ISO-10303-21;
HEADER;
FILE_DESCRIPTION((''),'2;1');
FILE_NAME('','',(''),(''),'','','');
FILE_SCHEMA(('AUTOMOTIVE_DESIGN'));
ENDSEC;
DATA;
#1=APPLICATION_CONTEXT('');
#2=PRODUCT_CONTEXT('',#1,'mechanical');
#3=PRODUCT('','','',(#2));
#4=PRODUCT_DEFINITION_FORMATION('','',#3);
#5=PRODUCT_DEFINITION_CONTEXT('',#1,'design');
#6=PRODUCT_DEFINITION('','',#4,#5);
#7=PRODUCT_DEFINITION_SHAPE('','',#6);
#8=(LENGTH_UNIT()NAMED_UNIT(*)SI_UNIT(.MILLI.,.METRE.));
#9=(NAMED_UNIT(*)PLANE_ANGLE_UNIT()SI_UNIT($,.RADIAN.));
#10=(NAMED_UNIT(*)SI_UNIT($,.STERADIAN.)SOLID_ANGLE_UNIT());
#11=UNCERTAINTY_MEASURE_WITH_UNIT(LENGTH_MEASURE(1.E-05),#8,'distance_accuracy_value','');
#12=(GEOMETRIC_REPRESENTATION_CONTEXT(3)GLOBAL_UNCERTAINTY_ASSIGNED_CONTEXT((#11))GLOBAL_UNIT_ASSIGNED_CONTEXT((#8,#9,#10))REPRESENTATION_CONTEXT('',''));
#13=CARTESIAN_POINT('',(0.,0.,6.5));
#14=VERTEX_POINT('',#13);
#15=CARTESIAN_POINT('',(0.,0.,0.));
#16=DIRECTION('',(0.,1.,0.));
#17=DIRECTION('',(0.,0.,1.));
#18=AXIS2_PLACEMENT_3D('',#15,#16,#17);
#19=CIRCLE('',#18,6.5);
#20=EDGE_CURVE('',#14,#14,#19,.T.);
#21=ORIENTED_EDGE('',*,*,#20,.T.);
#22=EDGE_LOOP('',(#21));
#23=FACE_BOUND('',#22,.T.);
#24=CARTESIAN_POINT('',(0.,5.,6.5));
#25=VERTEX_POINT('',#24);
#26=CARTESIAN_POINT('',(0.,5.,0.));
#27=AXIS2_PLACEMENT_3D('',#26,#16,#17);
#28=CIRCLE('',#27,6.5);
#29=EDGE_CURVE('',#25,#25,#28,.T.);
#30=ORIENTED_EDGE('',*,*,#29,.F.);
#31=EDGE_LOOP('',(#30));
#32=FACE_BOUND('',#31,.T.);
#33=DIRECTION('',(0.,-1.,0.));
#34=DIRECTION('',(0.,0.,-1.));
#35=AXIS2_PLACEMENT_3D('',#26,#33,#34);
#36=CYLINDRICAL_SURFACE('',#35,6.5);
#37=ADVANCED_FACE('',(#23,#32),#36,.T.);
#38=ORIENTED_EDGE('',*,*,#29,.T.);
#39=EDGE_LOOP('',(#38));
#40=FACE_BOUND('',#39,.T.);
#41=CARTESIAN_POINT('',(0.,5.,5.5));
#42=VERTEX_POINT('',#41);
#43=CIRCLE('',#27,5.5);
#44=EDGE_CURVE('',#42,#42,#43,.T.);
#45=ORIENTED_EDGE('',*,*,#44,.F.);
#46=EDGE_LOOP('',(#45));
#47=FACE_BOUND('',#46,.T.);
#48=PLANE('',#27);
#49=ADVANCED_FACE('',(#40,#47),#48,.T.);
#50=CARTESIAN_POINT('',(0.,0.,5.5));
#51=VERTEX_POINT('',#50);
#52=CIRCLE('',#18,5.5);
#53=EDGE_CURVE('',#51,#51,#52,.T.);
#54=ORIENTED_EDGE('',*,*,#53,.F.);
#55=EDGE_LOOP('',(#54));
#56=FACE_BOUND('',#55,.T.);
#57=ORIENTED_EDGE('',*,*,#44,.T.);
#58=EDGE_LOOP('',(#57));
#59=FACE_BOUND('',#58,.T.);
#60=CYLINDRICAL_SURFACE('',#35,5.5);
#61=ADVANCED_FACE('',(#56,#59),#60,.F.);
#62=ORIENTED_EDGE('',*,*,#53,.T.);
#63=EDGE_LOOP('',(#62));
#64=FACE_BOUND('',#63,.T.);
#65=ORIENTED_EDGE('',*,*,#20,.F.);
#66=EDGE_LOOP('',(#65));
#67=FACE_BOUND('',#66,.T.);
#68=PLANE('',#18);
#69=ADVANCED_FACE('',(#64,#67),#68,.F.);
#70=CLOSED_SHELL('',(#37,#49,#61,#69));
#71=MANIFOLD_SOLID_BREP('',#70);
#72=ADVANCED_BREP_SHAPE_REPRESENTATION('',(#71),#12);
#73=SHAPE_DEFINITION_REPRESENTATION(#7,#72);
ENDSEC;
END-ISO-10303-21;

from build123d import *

# Parameters (mm, degrees)
SKETCH1_R           = 6.5
SKETCH1_R_2         = 5.5
BOSS_EXTRUDE1_DEPTH = 5


with BuildPart() as part:
    # Sketch1 → Boss-Extrude1 (new body)
    with BuildSketch(Plane(origin=(0, 0, 0), x_dir=(1, 0, 0), z_dir=(0, 1, 0))):
        with Locations(Location((0, 0, 0), (0, 0, 270))):
            Circle(SKETCH1_R)
        with Locations(Location((0, 0, 0), (0, 0, 270))):
            Circle(SKETCH1_R_2, mode=Mode.SUBTRACT)
    extrude(amount=BOSS_EXTRUDE1_DEPTH)


solid = part.part
